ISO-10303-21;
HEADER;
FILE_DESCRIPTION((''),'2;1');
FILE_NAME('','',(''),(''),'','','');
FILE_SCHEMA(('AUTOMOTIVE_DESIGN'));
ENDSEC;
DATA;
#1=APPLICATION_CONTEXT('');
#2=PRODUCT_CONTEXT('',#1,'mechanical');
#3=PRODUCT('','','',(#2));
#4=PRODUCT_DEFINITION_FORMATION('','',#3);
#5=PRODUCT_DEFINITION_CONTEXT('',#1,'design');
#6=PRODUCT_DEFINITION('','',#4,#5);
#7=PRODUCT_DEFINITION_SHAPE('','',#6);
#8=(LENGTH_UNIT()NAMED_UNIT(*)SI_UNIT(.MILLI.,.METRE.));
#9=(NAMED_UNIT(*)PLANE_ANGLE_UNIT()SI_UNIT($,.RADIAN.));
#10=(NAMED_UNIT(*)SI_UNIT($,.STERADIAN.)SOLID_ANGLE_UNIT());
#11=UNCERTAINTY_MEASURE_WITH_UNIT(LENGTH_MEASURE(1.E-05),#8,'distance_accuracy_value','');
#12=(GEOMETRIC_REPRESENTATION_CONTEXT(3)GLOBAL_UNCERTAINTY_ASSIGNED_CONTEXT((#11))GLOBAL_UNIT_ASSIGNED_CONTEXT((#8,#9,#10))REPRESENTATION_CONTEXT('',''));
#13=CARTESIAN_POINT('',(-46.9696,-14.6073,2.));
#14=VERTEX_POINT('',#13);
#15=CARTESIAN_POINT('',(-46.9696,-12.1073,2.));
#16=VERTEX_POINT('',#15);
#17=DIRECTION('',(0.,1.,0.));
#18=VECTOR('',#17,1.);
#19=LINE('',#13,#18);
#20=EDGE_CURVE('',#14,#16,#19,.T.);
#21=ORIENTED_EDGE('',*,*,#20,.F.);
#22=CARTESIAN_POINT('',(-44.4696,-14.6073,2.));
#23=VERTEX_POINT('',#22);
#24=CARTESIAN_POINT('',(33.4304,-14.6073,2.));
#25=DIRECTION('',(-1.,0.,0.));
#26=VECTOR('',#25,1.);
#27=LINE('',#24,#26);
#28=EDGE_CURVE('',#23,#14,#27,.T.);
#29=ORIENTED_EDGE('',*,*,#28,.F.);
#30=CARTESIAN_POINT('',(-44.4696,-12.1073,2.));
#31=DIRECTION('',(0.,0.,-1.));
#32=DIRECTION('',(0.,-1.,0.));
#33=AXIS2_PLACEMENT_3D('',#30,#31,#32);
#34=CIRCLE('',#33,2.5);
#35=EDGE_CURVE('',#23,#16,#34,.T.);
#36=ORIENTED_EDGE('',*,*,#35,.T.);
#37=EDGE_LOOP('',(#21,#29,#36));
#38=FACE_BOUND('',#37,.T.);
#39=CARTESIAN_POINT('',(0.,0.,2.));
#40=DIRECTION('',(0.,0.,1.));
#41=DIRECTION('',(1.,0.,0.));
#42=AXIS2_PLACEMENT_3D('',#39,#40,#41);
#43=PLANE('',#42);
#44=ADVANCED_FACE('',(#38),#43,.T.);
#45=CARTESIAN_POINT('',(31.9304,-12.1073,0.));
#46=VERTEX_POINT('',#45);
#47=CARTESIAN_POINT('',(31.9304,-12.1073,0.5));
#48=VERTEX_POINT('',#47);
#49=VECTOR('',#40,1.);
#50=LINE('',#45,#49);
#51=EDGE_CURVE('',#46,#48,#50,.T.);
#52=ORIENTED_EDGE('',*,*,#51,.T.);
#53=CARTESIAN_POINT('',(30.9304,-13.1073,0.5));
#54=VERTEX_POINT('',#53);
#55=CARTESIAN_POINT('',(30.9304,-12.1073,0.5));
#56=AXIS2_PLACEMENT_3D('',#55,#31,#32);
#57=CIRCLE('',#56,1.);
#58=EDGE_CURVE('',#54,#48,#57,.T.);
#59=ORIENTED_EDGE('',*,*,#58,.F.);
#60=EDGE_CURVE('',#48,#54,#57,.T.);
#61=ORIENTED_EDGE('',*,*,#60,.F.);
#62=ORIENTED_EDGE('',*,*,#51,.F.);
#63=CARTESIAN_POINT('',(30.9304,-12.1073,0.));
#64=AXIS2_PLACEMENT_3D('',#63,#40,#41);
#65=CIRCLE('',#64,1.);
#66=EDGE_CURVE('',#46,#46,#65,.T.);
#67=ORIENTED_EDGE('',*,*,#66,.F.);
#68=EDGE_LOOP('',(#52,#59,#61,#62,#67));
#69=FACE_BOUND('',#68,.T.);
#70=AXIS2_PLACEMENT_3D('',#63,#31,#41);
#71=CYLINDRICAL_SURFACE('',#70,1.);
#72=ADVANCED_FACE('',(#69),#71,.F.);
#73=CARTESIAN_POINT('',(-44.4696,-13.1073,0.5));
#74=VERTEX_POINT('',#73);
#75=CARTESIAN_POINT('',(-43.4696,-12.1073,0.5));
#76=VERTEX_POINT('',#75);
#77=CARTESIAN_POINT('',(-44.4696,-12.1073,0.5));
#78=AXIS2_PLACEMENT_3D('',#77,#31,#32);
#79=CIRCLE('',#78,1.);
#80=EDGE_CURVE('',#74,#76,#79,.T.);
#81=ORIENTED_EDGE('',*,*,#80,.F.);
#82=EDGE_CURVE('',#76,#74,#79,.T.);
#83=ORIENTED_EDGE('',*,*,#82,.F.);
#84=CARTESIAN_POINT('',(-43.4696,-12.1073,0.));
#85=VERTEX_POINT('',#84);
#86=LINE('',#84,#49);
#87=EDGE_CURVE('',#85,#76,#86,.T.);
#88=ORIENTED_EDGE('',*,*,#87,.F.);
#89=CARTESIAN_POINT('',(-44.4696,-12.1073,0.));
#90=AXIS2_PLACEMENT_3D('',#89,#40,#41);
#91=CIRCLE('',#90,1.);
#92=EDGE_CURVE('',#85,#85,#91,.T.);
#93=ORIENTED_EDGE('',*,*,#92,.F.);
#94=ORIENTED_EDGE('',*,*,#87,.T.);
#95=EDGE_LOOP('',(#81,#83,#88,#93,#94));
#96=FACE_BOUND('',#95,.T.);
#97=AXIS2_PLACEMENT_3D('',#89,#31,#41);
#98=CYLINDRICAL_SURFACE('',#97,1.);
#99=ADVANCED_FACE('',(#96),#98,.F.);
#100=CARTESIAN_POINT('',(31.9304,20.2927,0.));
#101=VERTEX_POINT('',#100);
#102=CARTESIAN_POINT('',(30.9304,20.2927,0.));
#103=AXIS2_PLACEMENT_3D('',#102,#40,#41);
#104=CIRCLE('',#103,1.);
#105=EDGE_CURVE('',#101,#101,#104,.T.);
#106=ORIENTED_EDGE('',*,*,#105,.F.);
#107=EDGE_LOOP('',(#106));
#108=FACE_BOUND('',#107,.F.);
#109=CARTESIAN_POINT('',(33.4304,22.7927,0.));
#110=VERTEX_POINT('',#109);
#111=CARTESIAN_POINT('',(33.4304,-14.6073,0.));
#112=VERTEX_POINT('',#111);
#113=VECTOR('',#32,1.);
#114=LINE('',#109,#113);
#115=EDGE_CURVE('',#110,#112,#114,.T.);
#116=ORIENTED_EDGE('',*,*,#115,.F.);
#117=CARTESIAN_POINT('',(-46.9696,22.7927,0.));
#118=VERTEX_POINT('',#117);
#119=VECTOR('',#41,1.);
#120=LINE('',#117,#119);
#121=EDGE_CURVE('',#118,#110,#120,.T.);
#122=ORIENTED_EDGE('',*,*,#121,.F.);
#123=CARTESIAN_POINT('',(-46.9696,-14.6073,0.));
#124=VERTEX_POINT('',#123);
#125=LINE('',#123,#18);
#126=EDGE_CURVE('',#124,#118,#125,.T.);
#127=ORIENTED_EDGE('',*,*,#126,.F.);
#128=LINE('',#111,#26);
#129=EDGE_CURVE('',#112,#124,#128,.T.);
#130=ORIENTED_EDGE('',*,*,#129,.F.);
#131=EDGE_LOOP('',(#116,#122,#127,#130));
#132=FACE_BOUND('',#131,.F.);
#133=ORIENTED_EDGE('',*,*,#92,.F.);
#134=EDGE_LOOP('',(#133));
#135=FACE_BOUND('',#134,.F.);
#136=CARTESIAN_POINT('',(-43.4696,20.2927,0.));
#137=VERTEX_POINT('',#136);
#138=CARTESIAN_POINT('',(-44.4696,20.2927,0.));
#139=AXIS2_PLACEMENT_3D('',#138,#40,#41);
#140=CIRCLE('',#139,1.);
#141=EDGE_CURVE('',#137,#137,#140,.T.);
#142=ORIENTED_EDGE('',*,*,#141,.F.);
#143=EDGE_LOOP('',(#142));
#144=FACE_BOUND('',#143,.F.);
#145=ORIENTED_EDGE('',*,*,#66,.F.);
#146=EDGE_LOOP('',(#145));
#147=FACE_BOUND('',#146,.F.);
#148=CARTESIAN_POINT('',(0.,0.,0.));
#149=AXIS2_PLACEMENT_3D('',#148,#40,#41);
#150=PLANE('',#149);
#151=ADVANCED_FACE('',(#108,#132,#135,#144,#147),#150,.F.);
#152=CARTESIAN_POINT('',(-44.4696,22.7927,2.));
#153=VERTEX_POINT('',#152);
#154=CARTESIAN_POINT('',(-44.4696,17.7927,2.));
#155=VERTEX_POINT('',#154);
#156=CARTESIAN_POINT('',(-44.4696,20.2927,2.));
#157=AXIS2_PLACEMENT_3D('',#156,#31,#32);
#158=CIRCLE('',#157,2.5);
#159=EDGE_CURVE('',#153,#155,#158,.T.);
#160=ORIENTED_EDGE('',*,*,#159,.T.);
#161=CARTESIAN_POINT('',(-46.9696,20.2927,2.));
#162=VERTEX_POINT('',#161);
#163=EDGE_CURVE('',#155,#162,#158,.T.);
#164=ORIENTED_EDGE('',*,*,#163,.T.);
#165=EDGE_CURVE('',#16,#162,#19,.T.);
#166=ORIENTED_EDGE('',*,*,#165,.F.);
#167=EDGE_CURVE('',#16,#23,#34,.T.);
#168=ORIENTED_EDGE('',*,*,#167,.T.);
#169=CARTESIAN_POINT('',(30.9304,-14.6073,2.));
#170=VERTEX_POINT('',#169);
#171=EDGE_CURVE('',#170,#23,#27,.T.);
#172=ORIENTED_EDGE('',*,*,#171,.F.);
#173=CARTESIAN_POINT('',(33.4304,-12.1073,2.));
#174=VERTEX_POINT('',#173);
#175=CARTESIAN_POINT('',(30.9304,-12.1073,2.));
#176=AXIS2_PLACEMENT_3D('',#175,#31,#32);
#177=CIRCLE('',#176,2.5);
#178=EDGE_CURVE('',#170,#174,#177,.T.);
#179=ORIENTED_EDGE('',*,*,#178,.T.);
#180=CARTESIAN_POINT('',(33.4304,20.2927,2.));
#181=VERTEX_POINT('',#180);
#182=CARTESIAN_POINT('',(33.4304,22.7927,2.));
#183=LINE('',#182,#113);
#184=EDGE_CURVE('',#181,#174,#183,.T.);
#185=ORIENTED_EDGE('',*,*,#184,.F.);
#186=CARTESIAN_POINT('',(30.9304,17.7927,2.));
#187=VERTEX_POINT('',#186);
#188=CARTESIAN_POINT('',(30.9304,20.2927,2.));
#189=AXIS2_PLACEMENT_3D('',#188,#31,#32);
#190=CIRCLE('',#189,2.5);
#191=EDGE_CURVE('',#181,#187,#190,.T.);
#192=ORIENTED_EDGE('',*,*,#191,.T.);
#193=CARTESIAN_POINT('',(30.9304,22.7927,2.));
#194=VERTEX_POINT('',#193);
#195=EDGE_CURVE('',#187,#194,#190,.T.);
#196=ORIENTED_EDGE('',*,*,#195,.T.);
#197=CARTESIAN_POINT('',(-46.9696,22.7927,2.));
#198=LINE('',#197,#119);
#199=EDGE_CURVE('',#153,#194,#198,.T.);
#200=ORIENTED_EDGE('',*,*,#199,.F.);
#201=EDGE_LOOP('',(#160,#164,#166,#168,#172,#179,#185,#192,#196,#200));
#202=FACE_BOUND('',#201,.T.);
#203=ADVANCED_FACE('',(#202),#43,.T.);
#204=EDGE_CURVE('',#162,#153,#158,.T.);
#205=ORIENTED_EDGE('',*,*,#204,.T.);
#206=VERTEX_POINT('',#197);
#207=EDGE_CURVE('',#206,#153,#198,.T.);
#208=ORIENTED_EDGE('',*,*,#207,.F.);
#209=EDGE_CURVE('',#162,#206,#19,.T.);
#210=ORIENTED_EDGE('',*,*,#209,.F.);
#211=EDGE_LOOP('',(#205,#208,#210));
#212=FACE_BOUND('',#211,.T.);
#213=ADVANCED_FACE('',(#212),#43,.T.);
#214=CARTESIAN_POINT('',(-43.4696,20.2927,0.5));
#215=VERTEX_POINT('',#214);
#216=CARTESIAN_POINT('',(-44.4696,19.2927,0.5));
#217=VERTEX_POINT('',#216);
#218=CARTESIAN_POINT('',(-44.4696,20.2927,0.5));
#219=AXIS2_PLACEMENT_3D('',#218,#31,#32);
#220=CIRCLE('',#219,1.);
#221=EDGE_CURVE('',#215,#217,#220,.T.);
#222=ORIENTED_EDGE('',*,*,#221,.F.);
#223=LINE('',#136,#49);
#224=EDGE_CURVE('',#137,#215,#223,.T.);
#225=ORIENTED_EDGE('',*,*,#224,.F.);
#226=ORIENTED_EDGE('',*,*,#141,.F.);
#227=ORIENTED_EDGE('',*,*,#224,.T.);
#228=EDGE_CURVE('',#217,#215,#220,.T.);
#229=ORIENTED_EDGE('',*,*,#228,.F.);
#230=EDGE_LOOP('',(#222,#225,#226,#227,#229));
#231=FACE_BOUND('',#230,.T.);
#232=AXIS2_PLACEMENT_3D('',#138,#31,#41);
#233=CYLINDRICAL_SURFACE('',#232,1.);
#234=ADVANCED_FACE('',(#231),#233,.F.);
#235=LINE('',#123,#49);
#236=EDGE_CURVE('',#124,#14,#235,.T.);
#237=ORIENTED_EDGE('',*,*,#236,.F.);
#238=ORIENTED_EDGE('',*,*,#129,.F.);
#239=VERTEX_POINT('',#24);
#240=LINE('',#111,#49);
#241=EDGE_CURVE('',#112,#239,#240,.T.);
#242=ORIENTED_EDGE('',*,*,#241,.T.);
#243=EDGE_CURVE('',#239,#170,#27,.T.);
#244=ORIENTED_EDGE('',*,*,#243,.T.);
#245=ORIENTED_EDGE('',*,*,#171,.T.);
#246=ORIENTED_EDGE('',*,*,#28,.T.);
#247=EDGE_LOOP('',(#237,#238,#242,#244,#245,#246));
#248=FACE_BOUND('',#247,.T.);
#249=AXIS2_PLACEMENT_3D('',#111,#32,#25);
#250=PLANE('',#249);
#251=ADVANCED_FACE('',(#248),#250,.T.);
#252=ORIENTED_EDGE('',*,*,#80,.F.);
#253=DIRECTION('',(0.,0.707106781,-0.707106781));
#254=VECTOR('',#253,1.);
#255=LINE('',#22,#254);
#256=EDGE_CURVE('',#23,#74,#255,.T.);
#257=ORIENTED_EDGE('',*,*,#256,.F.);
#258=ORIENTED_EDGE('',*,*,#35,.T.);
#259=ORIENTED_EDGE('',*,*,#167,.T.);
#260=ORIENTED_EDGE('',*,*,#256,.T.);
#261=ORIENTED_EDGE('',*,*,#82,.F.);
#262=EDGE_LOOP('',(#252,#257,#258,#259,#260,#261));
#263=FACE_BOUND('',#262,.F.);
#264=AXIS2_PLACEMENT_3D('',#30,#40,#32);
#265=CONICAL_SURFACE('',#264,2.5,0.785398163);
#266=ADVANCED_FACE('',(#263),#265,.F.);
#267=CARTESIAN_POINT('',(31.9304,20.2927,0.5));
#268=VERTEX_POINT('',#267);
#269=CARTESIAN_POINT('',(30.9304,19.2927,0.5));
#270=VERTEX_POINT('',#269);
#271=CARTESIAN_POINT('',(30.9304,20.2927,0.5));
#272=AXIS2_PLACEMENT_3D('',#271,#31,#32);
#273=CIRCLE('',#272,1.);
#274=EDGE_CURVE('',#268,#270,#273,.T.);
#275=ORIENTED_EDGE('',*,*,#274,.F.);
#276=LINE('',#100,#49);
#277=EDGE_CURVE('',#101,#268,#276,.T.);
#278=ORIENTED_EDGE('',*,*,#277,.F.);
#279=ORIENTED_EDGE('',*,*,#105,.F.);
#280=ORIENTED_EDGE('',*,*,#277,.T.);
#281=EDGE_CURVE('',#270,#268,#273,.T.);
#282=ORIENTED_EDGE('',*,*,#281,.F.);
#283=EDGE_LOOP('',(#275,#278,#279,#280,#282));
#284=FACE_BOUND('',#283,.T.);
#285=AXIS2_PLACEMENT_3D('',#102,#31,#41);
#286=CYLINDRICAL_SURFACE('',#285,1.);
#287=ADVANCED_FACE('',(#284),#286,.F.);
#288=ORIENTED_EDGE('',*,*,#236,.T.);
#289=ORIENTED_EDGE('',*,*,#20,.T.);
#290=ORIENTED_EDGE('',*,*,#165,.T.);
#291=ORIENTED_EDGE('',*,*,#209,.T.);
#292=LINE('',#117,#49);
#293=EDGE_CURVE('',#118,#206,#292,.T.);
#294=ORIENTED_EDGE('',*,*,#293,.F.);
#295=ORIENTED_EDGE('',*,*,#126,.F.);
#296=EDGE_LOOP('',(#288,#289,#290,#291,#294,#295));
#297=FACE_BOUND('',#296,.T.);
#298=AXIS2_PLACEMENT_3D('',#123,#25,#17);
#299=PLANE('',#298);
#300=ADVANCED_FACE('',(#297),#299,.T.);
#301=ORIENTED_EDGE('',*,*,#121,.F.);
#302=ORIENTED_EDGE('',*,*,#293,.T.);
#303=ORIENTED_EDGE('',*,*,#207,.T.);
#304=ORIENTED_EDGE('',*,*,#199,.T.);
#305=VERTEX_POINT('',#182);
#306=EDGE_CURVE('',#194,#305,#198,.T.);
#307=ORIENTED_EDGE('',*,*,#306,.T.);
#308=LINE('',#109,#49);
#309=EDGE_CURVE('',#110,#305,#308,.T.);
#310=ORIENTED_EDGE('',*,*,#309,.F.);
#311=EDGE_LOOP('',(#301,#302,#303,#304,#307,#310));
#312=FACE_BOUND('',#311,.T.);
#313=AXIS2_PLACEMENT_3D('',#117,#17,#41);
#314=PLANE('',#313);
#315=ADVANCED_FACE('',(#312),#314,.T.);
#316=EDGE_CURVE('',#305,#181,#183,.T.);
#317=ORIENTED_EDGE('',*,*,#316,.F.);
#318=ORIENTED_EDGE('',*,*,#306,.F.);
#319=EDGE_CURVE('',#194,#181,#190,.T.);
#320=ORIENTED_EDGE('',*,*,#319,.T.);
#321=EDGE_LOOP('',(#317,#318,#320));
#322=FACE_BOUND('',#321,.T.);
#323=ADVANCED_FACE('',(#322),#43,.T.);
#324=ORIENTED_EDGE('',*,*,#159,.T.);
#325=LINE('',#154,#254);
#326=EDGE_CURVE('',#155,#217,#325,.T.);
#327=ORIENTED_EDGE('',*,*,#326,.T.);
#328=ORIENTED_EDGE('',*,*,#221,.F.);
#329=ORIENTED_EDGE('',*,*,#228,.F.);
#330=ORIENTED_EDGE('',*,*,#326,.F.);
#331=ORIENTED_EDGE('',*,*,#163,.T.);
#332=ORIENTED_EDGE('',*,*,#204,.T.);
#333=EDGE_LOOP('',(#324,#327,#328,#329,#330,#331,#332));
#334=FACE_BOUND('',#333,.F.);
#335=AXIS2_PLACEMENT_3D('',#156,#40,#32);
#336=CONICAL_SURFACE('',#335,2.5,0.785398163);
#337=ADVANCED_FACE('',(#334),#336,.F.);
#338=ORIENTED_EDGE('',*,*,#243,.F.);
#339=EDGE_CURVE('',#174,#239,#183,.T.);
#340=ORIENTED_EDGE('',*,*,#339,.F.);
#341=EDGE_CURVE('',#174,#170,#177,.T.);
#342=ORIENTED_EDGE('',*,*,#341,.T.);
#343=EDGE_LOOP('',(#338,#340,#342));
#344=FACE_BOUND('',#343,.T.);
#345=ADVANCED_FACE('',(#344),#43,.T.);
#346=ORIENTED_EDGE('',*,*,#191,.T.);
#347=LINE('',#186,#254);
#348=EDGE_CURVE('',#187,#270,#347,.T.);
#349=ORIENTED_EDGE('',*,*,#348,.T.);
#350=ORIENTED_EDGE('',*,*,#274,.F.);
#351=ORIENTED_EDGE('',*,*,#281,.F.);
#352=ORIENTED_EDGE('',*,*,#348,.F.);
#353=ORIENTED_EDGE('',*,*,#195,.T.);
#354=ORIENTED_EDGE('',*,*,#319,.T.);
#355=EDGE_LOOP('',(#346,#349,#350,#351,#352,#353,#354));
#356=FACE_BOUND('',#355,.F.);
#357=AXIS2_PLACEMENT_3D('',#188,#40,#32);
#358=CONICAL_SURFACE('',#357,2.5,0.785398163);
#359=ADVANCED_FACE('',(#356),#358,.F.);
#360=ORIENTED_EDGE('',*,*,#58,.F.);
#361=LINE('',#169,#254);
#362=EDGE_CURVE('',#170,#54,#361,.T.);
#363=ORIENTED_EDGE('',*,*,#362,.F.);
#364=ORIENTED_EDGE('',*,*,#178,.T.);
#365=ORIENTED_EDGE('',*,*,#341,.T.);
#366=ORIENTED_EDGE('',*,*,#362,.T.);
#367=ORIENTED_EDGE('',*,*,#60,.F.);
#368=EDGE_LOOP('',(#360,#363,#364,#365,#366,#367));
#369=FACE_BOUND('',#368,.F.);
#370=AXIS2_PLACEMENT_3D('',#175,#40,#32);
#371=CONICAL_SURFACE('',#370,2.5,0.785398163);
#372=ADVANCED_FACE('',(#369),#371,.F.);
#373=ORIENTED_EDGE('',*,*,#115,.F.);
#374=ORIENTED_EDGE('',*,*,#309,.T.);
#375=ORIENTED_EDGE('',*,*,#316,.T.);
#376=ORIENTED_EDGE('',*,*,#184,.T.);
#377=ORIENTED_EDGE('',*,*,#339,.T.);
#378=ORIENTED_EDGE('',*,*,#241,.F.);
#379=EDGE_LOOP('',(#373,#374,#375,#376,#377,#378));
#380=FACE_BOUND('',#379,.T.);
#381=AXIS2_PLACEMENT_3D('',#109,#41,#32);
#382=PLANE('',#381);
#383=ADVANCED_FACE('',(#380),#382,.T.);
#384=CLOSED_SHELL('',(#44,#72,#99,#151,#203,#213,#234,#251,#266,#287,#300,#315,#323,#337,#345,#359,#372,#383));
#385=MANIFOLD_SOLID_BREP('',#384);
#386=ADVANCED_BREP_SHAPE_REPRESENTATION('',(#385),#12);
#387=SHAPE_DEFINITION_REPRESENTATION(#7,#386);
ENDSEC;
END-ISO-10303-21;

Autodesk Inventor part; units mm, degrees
ref_plane "YZ Plane" through (0, 0, 0) normal (1, 0, 0) x (0, 1, 0)
ref_plane "XZ Plane" through (0, 0, 0) normal (0, 1, 0) x (-1, 0, 0)
ref_plane "XY Plane" through (0, 0, 0) normal (0, 0, 1) x (1, 0, 0)
sketch "Sketch1" plane through (0, 0, 0) normal (0, 0, 1) x (1, 0, 0)
  line L0 (-46.9696, 22.7927) -> (33.4304, 22.7927)
  line L1 (33.4304, 22.7927) -> (33.4304, -14.6073)
  line L2 (33.4304, -14.6073) -> (-46.9696, -14.6073)
  line L3 (-46.9696, -14.6073) -> (-46.9696, 22.7927)
  circle A0 centre (-44.4696, 20.2927) radius 1
  circle A1 centre (-44.4696, -12.1073) radius 1
  circle A2 centre (30.9304, -12.1073) radius 1
  circle A3 centre (30.9304, 20.2927) radius 1
  point P0 (0, 0)
  dimension "d0" = 80.4
  dimension "d1" = 37.4
  dimension "d2" = 75.4
  dimension "d3" = 32.4
  dimension "d4" = 32.4
  dimension "d5" = 75.4
  dimension "d6" = 2.5
  dimension "d7" = 2.5
  dimension "d8" = 2
  dimension "d9" = 2
  dimension "d10" = 2
  dimension "d11" = 2
extrude "Extrusion1" add sketch "Sketch1" along normal blind 2
sketch "Sketch2" plane through (0, 0, 2) normal (0, 0, 1) x (1, 0, 0)
  circle A0 centre (-44.4696, 20.2927) radius 1 projected
  circle A1 centre (-44.4696, -12.1073) radius 1 projected
  circle A2 centre (30.9304, -12.1073) radius 1 projected
  circle A3 centre (30.9304, 20.2927) radius 1 projected
  point P0 (0, 0)
hole "Hole1" at (-44.4696, 20.2927, 2) at (-44.4696, -12.1073, 2) at (30.9304, -12.1073, 2) at (30.9304, 20.2927, 2) direction (0, 0, -1) diameter 2 depth 8 tip angle 118 countersink diameter 5 countersink angle 90
properties part number "case cover"
